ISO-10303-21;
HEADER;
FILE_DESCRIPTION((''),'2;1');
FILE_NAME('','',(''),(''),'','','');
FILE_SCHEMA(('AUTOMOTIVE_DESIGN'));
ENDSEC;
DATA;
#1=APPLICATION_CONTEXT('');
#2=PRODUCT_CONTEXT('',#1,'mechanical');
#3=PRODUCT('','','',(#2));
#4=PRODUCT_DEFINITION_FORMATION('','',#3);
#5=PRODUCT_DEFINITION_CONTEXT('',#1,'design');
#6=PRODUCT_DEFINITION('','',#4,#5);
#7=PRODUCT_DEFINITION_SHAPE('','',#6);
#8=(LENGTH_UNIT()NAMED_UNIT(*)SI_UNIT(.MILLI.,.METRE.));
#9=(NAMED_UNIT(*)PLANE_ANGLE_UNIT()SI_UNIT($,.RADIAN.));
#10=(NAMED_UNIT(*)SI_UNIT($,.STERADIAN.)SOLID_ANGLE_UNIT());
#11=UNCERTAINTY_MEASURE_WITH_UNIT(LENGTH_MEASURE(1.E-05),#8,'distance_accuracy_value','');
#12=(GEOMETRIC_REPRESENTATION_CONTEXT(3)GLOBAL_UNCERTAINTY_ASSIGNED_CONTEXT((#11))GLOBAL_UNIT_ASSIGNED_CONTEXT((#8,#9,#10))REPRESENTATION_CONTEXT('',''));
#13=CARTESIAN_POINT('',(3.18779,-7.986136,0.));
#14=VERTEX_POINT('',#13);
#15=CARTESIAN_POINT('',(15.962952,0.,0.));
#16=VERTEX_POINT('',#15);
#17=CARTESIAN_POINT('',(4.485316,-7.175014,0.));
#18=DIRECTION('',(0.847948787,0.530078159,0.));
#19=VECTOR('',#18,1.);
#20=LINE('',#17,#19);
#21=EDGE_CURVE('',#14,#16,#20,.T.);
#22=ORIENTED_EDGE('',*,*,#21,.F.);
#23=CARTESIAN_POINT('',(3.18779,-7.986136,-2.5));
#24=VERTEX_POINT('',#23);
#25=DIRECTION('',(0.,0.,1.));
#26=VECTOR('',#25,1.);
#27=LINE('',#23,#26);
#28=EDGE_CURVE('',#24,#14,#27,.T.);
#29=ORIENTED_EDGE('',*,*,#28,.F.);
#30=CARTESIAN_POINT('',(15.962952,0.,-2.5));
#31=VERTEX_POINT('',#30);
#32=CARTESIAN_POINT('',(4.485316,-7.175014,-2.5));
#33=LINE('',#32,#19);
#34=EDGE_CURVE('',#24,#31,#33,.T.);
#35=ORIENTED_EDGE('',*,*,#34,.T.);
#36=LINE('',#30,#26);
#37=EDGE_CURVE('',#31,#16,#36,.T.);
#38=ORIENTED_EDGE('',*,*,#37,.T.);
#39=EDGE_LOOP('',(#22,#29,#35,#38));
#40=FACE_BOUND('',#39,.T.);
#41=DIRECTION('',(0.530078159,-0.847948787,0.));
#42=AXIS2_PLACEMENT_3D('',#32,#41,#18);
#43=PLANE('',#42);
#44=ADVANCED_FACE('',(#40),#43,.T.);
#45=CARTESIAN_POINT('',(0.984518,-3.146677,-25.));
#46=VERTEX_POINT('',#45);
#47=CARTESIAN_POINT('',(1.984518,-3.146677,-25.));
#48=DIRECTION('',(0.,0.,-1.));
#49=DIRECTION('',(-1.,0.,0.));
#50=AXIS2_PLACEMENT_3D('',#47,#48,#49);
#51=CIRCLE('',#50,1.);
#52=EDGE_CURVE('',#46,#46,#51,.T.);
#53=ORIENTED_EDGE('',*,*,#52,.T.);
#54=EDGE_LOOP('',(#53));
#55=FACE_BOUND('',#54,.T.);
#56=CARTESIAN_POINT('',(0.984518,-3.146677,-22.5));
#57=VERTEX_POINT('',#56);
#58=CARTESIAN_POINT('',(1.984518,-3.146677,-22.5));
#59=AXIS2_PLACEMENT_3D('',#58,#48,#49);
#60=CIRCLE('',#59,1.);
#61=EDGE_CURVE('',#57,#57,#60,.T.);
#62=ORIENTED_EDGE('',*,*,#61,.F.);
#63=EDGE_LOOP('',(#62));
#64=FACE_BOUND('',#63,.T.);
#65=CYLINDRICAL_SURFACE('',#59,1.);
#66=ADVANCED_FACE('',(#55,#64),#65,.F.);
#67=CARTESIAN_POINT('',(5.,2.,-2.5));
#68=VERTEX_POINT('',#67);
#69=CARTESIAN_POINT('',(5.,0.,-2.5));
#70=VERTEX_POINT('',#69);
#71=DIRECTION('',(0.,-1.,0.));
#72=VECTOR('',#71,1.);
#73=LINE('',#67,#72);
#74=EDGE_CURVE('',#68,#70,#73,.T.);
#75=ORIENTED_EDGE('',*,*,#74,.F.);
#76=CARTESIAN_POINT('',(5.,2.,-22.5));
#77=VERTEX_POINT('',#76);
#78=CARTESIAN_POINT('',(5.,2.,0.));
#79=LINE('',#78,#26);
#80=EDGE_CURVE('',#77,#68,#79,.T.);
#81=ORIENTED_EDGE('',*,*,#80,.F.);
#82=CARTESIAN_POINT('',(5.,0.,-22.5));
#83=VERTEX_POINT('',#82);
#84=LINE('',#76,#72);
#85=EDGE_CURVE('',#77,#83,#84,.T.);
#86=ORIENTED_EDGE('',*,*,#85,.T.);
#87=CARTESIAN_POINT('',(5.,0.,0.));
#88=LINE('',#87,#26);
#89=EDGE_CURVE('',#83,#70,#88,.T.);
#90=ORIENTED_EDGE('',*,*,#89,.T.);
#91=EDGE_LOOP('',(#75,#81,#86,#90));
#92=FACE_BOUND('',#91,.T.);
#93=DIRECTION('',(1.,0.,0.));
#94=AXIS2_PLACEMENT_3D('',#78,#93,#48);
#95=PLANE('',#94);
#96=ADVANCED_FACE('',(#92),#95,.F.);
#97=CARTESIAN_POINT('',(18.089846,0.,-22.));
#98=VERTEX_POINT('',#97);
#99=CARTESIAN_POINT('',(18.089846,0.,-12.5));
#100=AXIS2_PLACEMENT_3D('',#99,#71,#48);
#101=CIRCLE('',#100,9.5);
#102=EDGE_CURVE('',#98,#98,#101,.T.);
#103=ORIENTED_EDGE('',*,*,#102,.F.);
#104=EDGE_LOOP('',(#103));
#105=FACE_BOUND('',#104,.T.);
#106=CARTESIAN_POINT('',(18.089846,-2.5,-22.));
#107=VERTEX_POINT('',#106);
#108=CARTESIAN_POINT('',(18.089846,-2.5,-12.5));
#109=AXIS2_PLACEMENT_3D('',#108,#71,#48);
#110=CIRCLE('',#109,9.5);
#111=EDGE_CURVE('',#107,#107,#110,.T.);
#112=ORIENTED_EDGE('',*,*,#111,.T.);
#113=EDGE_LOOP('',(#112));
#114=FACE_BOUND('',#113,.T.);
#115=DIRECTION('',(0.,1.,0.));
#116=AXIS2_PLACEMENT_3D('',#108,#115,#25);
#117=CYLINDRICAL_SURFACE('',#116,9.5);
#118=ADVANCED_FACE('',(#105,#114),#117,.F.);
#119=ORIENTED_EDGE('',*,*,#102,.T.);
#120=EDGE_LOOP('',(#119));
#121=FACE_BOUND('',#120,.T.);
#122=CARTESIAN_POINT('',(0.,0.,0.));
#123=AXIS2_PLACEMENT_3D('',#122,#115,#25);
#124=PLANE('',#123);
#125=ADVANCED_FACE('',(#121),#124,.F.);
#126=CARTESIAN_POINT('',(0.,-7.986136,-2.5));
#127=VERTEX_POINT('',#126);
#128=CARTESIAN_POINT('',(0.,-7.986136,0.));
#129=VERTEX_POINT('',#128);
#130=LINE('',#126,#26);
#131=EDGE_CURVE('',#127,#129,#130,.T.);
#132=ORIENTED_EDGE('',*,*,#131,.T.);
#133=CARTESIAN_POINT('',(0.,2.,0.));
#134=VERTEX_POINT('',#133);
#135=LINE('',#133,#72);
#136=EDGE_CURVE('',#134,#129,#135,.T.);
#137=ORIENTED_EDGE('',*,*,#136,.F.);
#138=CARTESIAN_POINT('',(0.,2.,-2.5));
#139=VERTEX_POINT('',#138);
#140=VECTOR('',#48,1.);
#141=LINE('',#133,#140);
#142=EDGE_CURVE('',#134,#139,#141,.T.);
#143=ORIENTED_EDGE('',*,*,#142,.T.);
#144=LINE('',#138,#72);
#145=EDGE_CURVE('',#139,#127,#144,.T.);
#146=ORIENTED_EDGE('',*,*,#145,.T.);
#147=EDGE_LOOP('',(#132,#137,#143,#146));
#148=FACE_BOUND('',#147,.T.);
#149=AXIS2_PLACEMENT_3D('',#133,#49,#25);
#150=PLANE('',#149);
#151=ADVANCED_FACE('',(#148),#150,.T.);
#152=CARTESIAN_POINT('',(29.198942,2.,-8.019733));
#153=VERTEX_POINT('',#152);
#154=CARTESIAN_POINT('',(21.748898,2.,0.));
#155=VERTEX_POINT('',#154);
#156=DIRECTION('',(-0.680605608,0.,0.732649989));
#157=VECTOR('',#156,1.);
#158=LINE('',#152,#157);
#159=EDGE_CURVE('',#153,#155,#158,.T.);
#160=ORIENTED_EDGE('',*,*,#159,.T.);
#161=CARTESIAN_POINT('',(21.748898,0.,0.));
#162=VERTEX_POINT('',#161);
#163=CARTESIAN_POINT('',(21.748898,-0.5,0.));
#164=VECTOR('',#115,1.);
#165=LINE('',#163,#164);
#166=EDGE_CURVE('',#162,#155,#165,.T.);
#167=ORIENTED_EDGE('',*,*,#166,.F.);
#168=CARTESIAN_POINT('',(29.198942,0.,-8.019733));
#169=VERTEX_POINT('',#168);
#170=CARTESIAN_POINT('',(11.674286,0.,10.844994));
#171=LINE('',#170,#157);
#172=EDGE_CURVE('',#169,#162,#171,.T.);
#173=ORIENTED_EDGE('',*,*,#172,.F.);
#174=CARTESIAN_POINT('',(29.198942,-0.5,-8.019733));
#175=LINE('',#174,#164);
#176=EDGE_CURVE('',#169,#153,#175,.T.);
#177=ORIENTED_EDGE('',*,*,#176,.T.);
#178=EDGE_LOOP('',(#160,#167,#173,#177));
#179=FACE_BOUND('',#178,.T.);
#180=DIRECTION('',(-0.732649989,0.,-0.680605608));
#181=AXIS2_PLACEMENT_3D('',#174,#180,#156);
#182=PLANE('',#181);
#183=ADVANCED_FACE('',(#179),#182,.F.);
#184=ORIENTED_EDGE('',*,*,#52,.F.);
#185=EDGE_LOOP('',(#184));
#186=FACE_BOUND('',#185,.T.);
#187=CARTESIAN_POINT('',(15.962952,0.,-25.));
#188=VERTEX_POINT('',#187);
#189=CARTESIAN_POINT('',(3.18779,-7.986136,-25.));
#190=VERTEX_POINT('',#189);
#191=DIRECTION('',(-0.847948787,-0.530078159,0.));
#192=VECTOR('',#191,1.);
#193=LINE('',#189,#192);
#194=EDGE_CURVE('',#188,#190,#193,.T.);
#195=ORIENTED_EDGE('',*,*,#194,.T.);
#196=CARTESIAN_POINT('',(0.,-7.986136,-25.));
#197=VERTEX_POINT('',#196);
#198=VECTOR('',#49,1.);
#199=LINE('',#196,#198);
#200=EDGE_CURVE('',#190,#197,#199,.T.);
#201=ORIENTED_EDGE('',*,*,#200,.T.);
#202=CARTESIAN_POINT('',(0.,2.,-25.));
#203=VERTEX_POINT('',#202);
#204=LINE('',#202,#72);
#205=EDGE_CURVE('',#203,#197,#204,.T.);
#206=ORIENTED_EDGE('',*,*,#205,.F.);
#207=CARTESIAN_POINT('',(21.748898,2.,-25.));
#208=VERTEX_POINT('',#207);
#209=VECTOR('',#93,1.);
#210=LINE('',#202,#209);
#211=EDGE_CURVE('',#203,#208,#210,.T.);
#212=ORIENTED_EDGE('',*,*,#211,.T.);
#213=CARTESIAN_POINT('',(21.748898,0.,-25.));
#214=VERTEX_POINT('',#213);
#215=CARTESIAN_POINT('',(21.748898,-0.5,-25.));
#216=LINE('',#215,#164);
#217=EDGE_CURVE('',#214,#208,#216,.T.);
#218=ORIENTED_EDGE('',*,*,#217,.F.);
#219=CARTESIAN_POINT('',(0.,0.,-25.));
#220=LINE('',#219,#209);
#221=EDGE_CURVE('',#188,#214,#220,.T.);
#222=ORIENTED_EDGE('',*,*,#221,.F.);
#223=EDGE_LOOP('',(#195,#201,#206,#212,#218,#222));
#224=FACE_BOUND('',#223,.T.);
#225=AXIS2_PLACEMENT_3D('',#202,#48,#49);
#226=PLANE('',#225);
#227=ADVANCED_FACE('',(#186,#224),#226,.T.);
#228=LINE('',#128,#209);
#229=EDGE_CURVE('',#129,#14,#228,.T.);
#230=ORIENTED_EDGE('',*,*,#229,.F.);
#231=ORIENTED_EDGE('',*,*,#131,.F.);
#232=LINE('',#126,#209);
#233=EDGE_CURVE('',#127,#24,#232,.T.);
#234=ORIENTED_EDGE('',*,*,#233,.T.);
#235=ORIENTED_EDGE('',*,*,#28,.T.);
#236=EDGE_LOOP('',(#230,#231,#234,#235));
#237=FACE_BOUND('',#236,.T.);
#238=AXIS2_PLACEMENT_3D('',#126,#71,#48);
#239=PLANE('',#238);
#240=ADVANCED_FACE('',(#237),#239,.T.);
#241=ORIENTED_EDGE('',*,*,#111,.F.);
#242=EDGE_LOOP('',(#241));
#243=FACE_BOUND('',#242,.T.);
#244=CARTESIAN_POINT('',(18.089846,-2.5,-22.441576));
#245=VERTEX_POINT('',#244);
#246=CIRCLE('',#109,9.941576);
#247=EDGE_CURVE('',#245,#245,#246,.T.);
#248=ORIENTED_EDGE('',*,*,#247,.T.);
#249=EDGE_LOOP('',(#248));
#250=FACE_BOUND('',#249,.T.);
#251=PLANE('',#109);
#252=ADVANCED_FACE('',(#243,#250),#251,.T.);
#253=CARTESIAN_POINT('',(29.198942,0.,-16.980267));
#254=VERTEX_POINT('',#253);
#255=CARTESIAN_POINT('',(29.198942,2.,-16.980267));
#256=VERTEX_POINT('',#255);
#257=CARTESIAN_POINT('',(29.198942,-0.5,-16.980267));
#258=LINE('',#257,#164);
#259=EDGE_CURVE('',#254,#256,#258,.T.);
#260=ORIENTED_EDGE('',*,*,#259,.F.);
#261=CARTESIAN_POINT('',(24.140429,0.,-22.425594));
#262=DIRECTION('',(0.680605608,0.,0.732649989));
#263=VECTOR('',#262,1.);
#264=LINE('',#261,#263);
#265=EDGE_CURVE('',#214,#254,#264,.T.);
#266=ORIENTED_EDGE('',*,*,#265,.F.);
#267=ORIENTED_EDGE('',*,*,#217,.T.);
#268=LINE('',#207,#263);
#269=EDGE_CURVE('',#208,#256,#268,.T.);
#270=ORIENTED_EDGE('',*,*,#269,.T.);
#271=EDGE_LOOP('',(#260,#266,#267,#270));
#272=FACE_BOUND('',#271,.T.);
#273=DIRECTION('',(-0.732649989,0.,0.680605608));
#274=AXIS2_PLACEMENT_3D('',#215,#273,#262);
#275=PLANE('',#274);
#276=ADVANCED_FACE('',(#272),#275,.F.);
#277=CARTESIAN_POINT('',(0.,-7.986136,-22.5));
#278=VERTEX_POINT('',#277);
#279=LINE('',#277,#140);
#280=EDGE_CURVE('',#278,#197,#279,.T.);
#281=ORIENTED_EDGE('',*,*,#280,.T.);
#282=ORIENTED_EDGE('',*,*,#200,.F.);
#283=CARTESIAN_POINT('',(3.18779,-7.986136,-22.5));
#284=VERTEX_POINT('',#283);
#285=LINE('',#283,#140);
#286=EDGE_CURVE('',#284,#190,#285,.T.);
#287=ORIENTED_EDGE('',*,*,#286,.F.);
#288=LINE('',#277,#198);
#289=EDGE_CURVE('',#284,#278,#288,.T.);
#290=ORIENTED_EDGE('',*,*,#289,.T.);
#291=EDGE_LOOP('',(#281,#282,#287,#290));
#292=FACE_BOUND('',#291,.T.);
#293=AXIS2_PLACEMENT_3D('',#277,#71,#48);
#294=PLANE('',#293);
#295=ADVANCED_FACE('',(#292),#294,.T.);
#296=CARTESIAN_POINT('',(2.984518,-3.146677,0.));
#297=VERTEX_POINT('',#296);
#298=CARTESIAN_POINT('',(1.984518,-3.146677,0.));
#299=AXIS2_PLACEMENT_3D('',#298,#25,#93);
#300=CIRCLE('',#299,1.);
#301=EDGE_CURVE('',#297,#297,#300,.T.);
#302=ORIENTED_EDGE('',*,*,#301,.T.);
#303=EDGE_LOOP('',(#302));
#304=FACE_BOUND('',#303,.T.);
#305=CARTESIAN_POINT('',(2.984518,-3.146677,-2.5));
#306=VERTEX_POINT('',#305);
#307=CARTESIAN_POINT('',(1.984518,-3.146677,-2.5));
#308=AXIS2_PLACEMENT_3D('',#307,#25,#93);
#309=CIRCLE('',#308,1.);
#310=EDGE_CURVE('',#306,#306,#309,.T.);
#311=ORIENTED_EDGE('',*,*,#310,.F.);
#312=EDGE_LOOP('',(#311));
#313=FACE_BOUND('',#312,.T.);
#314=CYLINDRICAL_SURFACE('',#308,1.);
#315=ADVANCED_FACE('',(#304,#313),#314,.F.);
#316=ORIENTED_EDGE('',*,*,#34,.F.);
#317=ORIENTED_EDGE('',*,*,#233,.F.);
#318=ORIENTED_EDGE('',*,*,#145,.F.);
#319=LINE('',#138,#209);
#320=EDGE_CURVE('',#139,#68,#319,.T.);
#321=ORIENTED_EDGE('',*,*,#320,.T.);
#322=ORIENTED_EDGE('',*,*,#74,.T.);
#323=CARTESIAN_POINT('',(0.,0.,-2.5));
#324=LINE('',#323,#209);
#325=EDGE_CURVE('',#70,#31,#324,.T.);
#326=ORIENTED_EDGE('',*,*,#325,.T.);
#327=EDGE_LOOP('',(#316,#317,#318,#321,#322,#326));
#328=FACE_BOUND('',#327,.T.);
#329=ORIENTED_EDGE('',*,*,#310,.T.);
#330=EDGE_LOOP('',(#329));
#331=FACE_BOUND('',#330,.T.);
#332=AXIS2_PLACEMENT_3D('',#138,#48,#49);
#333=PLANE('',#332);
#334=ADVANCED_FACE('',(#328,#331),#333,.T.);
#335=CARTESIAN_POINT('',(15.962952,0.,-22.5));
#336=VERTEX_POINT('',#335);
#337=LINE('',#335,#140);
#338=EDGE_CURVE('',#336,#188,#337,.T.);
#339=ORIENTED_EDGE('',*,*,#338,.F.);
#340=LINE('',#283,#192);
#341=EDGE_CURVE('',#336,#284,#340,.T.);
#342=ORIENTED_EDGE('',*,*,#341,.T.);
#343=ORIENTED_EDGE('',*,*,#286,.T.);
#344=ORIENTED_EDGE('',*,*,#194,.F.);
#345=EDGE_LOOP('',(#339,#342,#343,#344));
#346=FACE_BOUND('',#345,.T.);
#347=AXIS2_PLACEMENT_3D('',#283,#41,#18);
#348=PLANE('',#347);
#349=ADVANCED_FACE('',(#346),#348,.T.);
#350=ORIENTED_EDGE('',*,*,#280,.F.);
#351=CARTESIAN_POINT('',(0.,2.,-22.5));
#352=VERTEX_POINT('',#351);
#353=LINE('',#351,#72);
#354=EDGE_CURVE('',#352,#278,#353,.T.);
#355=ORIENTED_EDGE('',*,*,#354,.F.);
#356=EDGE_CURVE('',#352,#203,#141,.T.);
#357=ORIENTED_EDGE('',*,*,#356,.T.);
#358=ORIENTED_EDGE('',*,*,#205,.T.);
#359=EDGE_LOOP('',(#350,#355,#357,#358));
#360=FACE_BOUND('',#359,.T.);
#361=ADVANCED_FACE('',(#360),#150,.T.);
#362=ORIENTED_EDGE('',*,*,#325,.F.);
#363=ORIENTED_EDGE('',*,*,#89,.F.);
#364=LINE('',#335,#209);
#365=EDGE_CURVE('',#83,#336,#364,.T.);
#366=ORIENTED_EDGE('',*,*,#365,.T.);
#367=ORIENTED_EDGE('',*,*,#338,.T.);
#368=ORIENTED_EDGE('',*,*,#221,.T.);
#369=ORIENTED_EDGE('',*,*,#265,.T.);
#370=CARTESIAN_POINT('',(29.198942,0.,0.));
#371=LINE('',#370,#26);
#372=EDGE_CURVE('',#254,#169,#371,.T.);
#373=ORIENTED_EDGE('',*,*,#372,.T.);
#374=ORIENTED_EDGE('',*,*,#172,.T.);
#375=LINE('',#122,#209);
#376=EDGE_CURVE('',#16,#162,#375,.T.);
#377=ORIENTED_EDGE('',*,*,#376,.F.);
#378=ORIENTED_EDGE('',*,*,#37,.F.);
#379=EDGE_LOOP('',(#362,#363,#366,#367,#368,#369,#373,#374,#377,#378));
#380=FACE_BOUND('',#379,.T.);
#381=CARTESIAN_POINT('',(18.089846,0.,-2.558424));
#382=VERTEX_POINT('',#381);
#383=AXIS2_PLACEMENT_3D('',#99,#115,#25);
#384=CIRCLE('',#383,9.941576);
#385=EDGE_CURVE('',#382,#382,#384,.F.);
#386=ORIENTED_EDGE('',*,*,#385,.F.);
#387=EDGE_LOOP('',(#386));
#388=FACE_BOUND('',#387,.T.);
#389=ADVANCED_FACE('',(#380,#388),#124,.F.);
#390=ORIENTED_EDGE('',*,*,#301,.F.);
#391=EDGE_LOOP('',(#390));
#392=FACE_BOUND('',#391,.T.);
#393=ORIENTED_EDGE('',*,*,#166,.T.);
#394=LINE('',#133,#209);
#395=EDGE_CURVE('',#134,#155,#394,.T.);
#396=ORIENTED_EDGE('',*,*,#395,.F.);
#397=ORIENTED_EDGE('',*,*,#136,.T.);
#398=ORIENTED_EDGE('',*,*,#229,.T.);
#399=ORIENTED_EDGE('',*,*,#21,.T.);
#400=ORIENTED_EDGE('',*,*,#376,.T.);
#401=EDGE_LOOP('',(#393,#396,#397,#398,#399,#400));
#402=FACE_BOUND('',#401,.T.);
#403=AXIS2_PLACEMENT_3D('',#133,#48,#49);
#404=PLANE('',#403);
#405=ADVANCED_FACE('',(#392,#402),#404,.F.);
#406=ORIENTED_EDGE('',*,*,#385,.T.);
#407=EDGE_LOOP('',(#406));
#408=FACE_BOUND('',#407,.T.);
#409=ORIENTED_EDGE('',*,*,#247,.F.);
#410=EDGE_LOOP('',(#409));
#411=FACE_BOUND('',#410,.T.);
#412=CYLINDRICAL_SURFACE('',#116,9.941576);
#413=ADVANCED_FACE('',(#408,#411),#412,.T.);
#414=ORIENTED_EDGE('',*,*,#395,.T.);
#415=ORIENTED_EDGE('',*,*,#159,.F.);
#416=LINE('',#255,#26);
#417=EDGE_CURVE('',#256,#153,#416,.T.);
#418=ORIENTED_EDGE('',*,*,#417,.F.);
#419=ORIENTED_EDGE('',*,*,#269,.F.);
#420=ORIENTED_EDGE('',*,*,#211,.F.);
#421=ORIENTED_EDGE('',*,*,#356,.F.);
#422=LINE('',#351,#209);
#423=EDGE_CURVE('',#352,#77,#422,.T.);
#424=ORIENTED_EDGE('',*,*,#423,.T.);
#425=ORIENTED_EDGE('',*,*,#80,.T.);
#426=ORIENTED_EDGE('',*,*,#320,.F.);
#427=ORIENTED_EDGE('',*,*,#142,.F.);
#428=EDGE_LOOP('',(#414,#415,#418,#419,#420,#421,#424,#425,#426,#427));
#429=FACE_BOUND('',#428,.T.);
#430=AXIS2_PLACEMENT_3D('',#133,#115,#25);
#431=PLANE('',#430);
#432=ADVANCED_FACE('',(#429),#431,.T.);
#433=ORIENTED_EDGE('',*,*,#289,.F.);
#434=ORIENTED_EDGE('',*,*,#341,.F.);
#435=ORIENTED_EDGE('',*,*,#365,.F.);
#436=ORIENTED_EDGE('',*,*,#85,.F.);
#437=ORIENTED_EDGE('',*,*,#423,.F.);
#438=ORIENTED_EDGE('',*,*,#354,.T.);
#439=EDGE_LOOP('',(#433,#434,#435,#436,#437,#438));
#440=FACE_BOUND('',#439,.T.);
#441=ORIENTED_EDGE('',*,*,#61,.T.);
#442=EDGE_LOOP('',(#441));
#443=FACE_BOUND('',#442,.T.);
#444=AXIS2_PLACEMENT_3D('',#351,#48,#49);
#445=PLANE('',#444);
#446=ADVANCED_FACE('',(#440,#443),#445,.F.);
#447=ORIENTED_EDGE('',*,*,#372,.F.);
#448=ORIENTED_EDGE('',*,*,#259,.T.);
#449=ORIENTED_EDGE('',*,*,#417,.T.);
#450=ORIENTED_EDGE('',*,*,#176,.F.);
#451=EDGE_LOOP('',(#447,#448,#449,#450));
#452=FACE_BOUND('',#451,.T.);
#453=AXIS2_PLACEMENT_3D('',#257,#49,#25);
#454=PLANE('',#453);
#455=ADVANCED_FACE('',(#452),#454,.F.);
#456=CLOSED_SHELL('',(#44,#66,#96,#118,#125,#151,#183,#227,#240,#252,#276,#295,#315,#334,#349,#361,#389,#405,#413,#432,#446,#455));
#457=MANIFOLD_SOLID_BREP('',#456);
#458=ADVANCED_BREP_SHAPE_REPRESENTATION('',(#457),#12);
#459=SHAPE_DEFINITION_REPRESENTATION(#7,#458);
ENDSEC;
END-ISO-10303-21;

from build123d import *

# Parameters (mm, degrees)
BOSS_EXTRUDE1_DEPTH = 2
BOSS_EXTRUDE2_DEPTH = 2
SKETCH3_R           = 1
BOSS_EXTRUDE3_DEPTH = 2.5
SKETCH5_R           = 1
BOSS_EXTRUDE5_DEPTH = 2.5
SKETCH6_R           = 1
CUT_EXTRUDE1_DEPTH  = 2.5
BOSS_EXTRUDE6_START = -2.5
SKETCH8_R           = 1
BOSS_EXTRUDE6_DEPTH = 2.5
CUT_EXTRUDE2_DEPTH  = 2.5
SKETCH10_R          = 9.941576331
SKETCH10_R_2        = 9.5
BOSS_EXTRUDE9_DEPTH = 2.5


with BuildPart() as part:
    # Sketch1 → Boss-Extrude1 (new body)
    with BuildSketch(Plane(origin=(0, 0, 0), x_dir=(1, 0, 0), z_dir=(0, 1, 0))):
        Polygon((0, 2.5), (0, 0), (26, 0), (26, 25), (0, 25), (0, 22.5), (5, 22.5), (5, 2.5), align=None)
    extrude(amount=BOSS_EXTRUDE1_DEPTH)

    # Sketch2 → Boss-Extrude2 (add)
    with BuildSketch(Plane(origin=(0, 2, 0), x_dir=(1, 0, 0), z_dir=(0, 1, 0))):
        Polygon((26, 25), (40.579221248, 15.4966373), (40.579221248, 9.198619924), (26, 0), align=None)
    extrude(amount=-BOSS_EXTRUDE2_DEPTH)

    # Sketch3 → Boss-Extrude3 (add)
    with BuildSketch(Plane.XY):
        Polygon((15.962952465, 0), (0, 0), (0, -7.986136178), (3.187790207, -7.986136178), align=None)
        with Locations((1.984518411, -4.657937593)):
            Circle(SKETCH3_R, mode=Mode.SUBTRACT)
    extrude(amount=-BOSS_EXTRUDE3_DEPTH)

    # Sketch5 → Boss-Extrude5 (add)
    with BuildSketch(Plane.XY):
        with Locations((1.984518411, -4.657937593)):
            Circle(SKETCH5_R)
    extrude(amount=-BOSS_EXTRUDE5_DEPTH)

    # Sketch6 → Cut-Extrude1 (cut)
    with BuildSketch(Plane.XY):
        with Locations((1.984518411, -3.146677254)):
            Circle(SKETCH6_R)
    extrude(amount=-CUT_EXTRUDE1_DEPTH, mode=Mode.SUBTRACT)

    # Sketch8 → Boss-Extrude6 (add)
    with BuildSketch(Plane(origin=(0, 0, -25), x_dir=(-1, 0, 0), z_dir=(0, 0, -1)).offset(BOSS_EXTRUDE6_START)):
        Polygon((0, 0), (0, -7.986136178), (-3.187790207, -7.986136178), (-15.962952465, 0), align=None)
        with Locations(Location((-1.984518411, -3.146677254, 0), (0, 0, 180))):
            Circle(SKETCH8_R, mode=Mode.SUBTRACT)
    extrude(amount=BOSS_EXTRUDE6_DEPTH)

    # Sketch9 → Cut-Extrude2 (cut)
    with BuildSketch(Plane(origin=(0, 2, 0), x_dir=(1, 0, 0), z_dir=(0, 1, 0))):
        Polygon((21.748897696, 25), (29.198942219, 16.980267325), (29.198942219, 8.019732675), (21.748897696, 0), (26, 0), (40.579221248, 9.198619924), (40.579221248, 15.4966373), (26, 25), align=None)
    extrude(amount=-CUT_EXTRUDE2_DEPTH, mode=Mode.SUBTRACT)

    # Sketch10 → Boss-Extrude9 (add)
    with BuildSketch(Plane.XZ):
        with Locations(Location((18.089845789, -12.5, 0), (0, 0, 90))):
            Circle(SKETCH10_R)
        with Locations(Location((18.089845789, -12.5, 0), (0, 0, 270))):
            Circle(SKETCH10_R_2, mode=Mode.SUBTRACT)
    extrude(amount=BOSS_EXTRUDE9_DEPTH)


solid = part.part
